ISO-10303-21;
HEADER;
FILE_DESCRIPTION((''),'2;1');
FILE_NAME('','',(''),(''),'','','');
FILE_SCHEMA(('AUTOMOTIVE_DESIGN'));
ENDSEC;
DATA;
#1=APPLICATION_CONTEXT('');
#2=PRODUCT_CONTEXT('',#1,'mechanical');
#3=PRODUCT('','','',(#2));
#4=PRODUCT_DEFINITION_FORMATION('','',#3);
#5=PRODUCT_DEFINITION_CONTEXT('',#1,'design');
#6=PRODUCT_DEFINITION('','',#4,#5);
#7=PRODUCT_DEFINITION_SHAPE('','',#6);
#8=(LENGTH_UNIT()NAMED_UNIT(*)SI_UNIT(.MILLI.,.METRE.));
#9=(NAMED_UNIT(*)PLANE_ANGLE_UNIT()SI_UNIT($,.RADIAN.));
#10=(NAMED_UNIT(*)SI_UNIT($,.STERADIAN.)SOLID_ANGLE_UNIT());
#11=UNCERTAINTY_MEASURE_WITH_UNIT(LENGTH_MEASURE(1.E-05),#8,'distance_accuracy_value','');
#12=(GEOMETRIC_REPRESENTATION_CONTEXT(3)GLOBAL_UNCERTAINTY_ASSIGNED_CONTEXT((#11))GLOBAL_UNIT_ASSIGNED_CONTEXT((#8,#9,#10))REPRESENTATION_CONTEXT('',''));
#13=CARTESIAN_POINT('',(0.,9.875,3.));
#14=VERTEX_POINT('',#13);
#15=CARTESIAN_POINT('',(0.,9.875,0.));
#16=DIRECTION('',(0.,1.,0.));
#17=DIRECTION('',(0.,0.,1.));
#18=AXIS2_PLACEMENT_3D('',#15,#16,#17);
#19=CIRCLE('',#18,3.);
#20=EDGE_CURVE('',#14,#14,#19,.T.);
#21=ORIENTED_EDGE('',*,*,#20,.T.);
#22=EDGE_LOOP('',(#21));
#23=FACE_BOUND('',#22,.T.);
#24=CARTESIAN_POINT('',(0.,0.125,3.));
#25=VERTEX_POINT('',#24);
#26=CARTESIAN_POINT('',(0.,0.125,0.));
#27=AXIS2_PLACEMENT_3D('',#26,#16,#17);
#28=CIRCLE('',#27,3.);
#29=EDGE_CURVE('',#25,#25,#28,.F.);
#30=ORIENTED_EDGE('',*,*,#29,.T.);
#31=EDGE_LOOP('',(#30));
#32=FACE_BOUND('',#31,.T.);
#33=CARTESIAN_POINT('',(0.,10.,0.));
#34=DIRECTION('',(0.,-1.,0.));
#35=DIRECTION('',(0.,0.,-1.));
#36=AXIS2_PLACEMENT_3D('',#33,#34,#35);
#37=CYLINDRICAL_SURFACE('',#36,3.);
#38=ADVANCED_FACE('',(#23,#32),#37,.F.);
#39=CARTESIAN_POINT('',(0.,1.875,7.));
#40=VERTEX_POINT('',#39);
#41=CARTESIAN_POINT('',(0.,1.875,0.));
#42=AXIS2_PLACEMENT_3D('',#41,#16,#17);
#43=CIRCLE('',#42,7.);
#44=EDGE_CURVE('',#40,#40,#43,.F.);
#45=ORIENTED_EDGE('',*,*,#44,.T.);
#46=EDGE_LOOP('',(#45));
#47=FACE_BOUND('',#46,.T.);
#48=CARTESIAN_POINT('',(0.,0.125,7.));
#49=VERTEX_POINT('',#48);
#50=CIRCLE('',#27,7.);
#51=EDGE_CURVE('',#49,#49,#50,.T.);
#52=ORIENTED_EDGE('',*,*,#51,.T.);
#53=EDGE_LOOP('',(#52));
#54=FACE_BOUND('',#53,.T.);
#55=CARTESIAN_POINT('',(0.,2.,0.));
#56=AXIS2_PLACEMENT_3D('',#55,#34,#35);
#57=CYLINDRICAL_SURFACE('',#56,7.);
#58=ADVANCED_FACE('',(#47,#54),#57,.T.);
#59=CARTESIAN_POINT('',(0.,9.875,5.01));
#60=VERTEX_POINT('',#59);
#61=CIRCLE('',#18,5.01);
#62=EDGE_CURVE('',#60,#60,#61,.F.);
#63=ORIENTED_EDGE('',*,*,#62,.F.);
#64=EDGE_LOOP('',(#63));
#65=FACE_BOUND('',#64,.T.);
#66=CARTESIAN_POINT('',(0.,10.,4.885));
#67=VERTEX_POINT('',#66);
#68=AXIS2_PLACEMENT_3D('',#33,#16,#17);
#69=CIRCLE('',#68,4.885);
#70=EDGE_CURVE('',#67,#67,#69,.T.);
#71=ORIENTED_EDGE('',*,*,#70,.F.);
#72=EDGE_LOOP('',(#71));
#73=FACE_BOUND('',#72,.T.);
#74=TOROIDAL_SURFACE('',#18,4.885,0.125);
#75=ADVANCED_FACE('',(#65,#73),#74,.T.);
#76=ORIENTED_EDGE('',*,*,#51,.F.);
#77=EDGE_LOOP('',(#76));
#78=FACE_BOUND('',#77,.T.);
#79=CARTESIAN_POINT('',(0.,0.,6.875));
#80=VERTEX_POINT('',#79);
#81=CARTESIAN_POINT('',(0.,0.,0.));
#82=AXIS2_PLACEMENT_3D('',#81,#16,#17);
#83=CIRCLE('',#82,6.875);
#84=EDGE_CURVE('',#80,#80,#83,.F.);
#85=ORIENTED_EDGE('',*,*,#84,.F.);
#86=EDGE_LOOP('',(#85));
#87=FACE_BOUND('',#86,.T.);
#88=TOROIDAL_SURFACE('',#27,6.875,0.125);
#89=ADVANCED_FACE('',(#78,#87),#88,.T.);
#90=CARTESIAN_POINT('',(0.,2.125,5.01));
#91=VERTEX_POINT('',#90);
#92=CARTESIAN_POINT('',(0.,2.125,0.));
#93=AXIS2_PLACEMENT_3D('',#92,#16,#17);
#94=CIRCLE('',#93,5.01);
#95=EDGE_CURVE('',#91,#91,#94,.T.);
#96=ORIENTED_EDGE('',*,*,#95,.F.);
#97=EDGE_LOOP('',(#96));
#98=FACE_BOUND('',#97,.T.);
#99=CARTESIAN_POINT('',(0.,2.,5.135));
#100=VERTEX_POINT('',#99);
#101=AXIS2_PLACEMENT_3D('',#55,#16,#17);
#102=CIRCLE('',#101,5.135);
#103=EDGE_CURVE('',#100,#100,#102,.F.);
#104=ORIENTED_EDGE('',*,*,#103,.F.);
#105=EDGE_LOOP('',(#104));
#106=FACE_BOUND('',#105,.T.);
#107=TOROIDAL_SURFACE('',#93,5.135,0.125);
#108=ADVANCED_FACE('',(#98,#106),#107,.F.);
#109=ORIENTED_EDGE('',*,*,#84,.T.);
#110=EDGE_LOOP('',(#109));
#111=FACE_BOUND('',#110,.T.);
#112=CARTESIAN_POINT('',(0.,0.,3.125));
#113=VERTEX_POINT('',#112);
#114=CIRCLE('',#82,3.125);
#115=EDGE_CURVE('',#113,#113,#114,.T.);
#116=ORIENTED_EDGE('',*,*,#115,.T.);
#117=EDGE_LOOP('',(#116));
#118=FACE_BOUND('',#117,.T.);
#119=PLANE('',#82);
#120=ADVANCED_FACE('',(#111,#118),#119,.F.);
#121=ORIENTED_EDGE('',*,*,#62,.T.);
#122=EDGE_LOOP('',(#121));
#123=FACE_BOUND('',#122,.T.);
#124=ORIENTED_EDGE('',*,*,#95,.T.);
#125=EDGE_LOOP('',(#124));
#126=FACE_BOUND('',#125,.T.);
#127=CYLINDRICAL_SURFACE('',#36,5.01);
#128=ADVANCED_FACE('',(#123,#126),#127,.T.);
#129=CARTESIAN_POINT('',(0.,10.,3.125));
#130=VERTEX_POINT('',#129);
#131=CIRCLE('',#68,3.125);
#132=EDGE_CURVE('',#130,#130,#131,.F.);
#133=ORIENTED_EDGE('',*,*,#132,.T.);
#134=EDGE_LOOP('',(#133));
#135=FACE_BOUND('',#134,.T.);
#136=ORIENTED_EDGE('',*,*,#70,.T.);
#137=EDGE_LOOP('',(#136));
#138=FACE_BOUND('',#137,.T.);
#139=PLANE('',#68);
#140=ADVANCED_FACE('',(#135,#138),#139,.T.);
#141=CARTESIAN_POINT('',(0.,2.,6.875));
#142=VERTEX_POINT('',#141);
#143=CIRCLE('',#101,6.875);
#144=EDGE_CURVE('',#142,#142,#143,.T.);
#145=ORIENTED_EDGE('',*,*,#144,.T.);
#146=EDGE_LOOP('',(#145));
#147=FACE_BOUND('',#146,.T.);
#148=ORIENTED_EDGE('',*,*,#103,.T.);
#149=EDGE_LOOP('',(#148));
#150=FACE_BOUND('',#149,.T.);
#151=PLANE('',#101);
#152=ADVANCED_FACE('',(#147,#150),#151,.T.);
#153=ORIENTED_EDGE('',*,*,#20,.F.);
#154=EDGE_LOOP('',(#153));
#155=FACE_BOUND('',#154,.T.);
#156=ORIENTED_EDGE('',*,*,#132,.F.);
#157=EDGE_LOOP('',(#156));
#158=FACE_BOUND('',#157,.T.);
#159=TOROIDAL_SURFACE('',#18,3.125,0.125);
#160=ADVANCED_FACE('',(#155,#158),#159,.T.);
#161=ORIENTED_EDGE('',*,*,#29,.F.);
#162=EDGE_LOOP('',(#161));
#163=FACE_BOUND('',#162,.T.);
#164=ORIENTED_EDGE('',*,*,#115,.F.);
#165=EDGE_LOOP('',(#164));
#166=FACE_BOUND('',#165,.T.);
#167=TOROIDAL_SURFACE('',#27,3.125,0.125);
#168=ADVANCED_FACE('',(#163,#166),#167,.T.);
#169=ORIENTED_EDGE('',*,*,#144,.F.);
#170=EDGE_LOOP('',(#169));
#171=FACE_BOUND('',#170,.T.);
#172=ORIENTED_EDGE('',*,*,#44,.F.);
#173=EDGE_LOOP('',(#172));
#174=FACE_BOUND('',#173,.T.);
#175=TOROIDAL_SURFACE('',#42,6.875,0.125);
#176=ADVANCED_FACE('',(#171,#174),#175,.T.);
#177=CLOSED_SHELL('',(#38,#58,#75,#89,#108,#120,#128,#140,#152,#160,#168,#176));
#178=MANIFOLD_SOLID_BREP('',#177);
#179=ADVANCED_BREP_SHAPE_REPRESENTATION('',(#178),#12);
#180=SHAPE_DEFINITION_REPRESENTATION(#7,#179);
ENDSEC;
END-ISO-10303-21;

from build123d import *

# Parameters (mm, degrees)
SKETCH3_R           = 5.01
SKETCH3_R_2         = 3
BOSS_EXTRUDE1_DEPTH = 10
SKETCH4_R           = 7
SKETCH4_R_2         = 5.01
BOSS_EXTRUDE2_DEPTH = 2
FILLET1_R           = 0.125


with BuildPart() as part:
    # Sketch3 → Boss-Extrude1 (new body)
    with BuildSketch(Plane(origin=(0, 0, 0), x_dir=(1, 0, 0), z_dir=(0, 1, 0))):
        with Locations(Location((0, 0, 0), (0, 0, 270))):
            Circle(SKETCH3_R)
        with Locations(Location((0, 0, 0), (0, 0, 270))):
            Circle(SKETCH3_R_2, mode=Mode.SUBTRACT)
    extrude(amount=BOSS_EXTRUDE1_DEPTH)

    # Sketch4 → Boss-Extrude2 (add)
    with BuildSketch(Plane(origin=(0, 0, 0), x_dir=(1, 0, 0), z_dir=(0, 1, 0))):
        with Locations(Location((0, 0, 0), (0, 0, 270))):
            Circle(SKETCH4_R)
        with Locations(Location((0, 0, 0), (0, 0, 270))):
            Circle(SKETCH4_R_2, mode=Mode.SUBTRACT)
    extrude(amount=BOSS_EXTRUDE2_DEPTH)

    # Fillet1
    fillet1_edges = [part.edges().sort_by_distance(p)[0] for p in [
        (0, 0, -7),
        (0, 2, -5.01),
        (0, 10, -5.01),
        (0, 0, -3),
        (0, 10, -3),
        (0, 2, -7),
    ]]
    fillet(fillet1_edges, radius=FILLET1_R)


solid = part.part
